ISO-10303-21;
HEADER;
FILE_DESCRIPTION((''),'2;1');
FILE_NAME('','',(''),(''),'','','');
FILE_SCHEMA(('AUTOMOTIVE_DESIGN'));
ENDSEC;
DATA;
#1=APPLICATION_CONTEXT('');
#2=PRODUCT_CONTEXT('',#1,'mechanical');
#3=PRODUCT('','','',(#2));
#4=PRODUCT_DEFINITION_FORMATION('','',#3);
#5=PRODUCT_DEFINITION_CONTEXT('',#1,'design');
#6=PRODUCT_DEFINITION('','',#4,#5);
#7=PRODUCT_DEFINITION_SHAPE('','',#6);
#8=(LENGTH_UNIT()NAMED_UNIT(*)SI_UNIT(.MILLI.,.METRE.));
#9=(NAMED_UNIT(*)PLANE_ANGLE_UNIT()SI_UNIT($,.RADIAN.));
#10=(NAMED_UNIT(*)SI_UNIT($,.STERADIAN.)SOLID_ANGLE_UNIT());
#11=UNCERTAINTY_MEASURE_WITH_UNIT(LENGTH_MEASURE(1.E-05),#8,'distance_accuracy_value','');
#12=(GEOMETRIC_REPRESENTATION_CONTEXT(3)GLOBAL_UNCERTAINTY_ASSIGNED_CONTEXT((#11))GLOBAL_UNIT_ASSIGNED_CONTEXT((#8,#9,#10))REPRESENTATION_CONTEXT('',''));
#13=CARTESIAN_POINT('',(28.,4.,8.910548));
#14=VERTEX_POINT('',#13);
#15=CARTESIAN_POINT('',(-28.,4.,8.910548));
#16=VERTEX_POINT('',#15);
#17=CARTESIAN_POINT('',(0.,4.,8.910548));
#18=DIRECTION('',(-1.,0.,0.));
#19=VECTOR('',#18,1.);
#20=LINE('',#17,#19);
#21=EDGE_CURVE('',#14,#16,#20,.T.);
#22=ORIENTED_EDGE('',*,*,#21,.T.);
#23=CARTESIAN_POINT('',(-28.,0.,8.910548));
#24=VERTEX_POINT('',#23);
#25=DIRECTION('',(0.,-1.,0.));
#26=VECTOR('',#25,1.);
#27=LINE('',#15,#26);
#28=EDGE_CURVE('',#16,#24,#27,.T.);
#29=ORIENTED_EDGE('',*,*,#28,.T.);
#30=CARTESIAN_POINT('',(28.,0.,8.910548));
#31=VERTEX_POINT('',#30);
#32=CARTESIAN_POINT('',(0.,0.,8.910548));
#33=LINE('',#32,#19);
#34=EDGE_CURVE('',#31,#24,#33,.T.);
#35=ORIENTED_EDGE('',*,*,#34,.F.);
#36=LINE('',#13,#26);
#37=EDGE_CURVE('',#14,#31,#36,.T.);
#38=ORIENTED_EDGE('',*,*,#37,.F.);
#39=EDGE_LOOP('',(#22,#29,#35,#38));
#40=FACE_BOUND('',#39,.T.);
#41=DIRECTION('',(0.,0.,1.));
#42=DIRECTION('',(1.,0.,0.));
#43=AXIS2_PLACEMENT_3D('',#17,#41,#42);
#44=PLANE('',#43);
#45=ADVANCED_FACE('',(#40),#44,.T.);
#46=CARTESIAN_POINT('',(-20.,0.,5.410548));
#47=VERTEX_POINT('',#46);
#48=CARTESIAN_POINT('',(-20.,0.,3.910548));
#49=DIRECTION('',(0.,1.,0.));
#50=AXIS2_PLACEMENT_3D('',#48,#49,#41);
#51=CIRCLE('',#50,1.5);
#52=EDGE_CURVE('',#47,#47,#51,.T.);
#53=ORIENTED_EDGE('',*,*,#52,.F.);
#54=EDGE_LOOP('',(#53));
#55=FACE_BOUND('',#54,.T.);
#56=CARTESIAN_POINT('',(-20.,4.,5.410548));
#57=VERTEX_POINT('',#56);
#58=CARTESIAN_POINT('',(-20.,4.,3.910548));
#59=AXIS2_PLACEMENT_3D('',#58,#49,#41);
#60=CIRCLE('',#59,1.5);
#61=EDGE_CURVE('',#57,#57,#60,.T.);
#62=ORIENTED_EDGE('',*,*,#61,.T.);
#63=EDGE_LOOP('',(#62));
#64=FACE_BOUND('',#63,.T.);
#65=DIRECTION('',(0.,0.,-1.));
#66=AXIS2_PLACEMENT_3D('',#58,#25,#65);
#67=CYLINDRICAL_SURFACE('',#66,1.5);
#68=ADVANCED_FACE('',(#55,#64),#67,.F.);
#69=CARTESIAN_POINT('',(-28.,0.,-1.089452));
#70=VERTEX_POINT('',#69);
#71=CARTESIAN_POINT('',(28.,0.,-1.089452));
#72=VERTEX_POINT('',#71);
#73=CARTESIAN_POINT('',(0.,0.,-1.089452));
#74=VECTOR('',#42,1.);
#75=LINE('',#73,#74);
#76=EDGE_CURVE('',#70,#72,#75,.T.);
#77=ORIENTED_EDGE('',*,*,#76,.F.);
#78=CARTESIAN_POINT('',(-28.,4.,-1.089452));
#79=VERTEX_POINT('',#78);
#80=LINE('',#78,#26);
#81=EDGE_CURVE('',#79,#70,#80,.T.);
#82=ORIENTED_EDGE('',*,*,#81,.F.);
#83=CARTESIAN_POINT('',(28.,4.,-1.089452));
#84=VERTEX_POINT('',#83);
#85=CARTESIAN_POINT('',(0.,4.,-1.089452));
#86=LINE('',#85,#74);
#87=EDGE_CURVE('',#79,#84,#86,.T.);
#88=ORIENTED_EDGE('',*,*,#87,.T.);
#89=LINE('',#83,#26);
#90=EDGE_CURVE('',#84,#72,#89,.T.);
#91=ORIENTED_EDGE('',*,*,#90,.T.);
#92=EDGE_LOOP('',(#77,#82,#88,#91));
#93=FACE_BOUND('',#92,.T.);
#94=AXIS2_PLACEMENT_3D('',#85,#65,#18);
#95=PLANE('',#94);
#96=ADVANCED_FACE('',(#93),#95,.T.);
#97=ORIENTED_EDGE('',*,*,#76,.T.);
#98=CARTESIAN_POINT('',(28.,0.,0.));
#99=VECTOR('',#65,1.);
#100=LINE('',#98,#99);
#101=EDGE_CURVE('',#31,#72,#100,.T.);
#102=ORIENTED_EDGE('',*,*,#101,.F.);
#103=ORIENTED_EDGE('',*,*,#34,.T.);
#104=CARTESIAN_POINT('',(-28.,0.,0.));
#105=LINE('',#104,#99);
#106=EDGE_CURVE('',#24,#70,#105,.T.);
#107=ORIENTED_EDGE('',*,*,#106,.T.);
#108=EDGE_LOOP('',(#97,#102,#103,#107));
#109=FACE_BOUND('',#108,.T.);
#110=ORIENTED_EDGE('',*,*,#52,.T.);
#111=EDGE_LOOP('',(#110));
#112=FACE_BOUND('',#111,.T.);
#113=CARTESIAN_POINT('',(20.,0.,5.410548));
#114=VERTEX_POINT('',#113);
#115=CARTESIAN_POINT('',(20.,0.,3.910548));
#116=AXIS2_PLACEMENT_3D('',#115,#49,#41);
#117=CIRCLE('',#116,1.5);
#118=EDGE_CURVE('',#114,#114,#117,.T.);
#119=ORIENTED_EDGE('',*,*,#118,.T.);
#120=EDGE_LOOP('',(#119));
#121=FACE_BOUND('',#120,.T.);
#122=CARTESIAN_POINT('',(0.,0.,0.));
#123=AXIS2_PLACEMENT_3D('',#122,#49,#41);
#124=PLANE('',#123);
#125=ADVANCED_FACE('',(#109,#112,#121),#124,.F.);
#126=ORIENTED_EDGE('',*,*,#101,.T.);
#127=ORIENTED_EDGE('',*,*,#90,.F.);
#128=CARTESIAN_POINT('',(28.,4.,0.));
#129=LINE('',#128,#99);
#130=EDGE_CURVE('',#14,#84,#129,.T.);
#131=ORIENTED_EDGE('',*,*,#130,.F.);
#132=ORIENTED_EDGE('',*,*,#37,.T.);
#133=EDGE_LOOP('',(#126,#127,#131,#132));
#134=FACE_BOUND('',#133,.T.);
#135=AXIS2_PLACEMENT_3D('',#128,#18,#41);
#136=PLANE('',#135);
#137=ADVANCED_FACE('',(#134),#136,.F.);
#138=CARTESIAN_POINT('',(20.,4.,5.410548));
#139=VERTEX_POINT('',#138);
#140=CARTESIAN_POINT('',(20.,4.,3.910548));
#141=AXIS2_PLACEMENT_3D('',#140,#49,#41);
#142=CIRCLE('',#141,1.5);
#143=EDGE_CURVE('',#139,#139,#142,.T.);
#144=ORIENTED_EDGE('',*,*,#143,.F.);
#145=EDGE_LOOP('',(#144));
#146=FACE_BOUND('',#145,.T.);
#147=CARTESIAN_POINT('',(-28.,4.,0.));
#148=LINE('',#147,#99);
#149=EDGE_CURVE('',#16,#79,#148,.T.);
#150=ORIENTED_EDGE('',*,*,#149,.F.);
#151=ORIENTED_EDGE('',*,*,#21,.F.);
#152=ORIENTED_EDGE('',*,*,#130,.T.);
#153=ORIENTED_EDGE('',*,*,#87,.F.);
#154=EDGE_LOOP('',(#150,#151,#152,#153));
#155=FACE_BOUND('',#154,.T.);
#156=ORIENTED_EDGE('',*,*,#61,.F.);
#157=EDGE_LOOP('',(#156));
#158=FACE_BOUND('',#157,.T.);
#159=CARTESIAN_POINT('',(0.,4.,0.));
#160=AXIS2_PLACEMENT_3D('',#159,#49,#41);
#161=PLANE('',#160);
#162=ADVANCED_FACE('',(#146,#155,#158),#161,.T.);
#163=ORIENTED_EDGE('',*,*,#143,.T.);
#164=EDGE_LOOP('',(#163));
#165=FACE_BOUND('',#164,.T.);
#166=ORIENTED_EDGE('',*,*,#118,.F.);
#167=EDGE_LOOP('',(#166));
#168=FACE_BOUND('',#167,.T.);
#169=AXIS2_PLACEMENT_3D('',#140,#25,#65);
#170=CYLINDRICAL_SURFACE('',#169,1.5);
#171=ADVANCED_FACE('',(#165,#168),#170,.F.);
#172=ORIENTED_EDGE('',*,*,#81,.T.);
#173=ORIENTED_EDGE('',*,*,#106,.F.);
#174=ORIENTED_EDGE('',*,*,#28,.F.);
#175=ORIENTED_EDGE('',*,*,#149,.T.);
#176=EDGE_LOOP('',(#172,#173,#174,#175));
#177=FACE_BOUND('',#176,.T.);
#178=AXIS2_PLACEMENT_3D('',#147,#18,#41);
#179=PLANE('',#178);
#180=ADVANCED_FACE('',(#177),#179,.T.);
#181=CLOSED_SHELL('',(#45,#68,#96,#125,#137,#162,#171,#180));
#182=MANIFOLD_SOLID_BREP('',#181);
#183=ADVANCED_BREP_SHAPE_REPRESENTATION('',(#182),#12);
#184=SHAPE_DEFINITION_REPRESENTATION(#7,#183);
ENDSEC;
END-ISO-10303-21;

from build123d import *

# Parameters (mm, degrees)
SKETCH1_R           = 1.5
BOSS_EXTRUDE1_DEPTH = 4


with BuildPart() as part:
    # Sketch1 → Boss-Extrude1 (new body)
    with BuildSketch(Plane(origin=(0, 0, 0), x_dir=(1, 0, 0), z_dir=(0, 1, 0))):
        Polygon((-28, 1.089452068), (-28, -8.910547932), (-4.75, -8.910547932), (4.75, -8.910547932), (28, -8.910547932), (28, 1.089452068), (4.75, 1.089452068), (-4.75, 1.089452068), align=None)
        with Locations(Location((-20, -3.910547932, 0), (0, 0, 270))):
            Circle(SKETCH1_R, mode=Mode.SUBTRACT)
        with Locations(Location((20, -3.910547932, 0), (0, 0, 270))):
            Circle(SKETCH1_R, mode=Mode.SUBTRACT)
    extrude(amount=BOSS_EXTRUDE1_DEPTH)


solid = part.part
